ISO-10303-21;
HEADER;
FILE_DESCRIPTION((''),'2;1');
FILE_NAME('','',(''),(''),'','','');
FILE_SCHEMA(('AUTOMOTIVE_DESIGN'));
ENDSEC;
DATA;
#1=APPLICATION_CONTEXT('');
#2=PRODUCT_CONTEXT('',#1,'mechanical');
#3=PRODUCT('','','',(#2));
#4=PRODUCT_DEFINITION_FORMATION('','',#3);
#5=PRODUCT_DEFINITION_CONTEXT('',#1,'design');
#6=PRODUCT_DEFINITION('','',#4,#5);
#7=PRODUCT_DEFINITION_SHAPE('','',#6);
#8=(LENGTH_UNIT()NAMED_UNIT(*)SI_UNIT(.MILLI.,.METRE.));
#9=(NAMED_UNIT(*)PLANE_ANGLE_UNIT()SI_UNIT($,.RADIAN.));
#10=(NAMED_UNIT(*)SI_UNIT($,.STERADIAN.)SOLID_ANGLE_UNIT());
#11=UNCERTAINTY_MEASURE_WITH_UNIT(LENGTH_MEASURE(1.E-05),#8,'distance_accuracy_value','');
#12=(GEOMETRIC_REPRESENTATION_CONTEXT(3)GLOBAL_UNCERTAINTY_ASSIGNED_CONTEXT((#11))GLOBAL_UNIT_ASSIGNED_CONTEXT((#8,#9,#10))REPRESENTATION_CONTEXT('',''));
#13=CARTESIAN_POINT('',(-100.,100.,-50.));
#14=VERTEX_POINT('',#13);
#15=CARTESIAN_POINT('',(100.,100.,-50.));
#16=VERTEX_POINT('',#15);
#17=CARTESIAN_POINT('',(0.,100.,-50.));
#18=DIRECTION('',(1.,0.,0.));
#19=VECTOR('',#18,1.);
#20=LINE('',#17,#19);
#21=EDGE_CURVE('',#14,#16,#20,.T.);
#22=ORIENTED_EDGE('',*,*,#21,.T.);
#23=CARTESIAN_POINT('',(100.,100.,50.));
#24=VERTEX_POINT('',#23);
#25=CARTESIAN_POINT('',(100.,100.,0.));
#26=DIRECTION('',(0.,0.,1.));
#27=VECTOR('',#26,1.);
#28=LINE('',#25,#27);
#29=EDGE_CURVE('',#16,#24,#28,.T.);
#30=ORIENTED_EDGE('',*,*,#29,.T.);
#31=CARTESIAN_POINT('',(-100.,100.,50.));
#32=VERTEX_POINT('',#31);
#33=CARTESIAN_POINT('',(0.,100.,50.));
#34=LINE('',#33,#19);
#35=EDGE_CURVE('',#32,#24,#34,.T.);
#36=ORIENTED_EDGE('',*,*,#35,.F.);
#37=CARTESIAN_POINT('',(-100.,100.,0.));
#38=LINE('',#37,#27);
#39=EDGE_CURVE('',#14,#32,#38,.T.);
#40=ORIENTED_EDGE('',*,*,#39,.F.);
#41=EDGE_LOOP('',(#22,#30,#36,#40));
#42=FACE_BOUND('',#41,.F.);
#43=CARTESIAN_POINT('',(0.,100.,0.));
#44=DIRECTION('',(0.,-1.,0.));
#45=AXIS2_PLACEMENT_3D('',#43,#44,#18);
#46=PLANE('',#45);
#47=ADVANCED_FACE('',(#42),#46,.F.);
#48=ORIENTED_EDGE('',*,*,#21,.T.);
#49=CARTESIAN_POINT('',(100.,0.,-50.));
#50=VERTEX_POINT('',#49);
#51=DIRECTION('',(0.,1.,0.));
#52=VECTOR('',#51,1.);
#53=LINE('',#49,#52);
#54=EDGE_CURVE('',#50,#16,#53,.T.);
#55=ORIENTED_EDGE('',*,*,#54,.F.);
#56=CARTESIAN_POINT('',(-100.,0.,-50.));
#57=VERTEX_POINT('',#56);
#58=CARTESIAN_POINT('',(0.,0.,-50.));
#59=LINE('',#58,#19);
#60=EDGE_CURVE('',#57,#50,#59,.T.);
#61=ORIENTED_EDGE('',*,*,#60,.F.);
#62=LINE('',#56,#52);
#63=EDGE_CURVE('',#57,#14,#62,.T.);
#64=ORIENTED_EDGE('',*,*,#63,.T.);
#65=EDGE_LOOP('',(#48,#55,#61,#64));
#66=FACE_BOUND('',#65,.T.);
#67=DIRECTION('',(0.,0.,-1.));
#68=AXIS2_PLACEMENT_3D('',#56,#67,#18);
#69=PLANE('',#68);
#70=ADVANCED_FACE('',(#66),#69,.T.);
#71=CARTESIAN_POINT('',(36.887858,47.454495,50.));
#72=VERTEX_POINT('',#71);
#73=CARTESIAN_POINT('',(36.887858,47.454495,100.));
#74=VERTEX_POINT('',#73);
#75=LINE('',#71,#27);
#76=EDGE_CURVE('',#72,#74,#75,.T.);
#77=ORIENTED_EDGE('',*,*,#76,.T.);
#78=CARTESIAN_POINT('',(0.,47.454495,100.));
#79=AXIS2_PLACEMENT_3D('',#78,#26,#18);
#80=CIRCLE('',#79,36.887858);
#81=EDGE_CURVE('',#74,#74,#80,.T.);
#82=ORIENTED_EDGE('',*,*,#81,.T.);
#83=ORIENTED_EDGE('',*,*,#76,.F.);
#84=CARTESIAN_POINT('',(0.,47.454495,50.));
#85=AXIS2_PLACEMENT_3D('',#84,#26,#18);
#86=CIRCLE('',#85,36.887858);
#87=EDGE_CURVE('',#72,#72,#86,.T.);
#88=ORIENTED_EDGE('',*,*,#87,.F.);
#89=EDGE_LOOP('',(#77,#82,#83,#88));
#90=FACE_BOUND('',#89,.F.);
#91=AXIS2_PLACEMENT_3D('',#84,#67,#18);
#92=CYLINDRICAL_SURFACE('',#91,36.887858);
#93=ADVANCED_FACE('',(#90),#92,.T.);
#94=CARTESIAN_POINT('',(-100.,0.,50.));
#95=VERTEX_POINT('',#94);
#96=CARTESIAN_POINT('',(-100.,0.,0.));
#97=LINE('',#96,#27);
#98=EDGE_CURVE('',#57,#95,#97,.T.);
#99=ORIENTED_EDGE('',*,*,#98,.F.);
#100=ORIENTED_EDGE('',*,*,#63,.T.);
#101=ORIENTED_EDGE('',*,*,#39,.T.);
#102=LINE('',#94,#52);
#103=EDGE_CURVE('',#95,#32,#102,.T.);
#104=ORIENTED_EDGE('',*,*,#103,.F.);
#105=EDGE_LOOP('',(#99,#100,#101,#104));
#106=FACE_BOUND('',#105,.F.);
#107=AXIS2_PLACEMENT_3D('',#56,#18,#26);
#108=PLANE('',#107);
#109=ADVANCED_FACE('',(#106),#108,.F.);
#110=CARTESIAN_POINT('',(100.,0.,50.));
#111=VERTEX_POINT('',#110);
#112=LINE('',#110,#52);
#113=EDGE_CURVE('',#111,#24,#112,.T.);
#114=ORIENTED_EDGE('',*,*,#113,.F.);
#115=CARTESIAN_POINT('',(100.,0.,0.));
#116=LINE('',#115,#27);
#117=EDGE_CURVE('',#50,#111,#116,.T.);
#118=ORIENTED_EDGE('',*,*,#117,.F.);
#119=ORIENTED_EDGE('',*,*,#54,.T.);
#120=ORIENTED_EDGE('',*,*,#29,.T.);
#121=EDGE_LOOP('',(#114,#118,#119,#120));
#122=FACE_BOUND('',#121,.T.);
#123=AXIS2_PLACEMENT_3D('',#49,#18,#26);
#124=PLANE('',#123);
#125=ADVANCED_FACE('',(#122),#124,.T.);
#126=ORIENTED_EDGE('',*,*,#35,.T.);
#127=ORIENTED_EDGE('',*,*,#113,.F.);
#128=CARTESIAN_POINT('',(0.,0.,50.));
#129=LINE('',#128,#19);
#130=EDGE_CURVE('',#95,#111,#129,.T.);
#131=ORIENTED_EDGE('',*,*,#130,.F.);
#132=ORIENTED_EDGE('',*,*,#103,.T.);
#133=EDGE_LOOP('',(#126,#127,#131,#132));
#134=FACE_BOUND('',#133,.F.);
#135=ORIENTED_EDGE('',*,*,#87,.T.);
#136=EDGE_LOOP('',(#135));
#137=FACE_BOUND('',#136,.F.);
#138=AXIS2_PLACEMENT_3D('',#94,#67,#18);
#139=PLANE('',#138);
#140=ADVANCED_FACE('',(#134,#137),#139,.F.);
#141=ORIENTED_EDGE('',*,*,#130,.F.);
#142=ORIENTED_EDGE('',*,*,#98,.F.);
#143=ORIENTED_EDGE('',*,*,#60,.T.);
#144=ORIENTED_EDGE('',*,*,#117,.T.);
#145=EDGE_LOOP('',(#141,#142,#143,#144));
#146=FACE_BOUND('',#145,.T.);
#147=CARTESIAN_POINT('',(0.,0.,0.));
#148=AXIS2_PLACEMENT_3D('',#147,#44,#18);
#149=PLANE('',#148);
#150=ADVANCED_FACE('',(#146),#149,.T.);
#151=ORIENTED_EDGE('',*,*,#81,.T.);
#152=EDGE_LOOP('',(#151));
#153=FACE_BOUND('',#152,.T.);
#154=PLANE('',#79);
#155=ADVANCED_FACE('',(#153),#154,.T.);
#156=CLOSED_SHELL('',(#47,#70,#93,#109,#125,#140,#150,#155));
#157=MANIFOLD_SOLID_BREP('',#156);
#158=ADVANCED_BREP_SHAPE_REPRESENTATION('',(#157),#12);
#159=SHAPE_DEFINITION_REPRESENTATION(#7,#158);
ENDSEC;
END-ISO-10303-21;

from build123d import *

# Parameters (mm, degrees)
F0_W     = 200
F0_H     = 100
F1_DEPTH = 100
F2_R     = 36.887858
F3_DEPTH = 50


with BuildPart() as f1:
    # F0 (on Front) → F1 (new body)
    with BuildSketch(Plane.XZ):
        Rectangle(F0_W, F0_H)
    extrude(amount=-F1_DEPTH)

    # F2 (on face) → F3 (join)
    with BuildSketch(Plane.XY.offset(50)):
        with Locations((0, 47.454495)):
            Circle(F2_R)
    extrude(amount=F3_DEPTH)


solid = f1.part
